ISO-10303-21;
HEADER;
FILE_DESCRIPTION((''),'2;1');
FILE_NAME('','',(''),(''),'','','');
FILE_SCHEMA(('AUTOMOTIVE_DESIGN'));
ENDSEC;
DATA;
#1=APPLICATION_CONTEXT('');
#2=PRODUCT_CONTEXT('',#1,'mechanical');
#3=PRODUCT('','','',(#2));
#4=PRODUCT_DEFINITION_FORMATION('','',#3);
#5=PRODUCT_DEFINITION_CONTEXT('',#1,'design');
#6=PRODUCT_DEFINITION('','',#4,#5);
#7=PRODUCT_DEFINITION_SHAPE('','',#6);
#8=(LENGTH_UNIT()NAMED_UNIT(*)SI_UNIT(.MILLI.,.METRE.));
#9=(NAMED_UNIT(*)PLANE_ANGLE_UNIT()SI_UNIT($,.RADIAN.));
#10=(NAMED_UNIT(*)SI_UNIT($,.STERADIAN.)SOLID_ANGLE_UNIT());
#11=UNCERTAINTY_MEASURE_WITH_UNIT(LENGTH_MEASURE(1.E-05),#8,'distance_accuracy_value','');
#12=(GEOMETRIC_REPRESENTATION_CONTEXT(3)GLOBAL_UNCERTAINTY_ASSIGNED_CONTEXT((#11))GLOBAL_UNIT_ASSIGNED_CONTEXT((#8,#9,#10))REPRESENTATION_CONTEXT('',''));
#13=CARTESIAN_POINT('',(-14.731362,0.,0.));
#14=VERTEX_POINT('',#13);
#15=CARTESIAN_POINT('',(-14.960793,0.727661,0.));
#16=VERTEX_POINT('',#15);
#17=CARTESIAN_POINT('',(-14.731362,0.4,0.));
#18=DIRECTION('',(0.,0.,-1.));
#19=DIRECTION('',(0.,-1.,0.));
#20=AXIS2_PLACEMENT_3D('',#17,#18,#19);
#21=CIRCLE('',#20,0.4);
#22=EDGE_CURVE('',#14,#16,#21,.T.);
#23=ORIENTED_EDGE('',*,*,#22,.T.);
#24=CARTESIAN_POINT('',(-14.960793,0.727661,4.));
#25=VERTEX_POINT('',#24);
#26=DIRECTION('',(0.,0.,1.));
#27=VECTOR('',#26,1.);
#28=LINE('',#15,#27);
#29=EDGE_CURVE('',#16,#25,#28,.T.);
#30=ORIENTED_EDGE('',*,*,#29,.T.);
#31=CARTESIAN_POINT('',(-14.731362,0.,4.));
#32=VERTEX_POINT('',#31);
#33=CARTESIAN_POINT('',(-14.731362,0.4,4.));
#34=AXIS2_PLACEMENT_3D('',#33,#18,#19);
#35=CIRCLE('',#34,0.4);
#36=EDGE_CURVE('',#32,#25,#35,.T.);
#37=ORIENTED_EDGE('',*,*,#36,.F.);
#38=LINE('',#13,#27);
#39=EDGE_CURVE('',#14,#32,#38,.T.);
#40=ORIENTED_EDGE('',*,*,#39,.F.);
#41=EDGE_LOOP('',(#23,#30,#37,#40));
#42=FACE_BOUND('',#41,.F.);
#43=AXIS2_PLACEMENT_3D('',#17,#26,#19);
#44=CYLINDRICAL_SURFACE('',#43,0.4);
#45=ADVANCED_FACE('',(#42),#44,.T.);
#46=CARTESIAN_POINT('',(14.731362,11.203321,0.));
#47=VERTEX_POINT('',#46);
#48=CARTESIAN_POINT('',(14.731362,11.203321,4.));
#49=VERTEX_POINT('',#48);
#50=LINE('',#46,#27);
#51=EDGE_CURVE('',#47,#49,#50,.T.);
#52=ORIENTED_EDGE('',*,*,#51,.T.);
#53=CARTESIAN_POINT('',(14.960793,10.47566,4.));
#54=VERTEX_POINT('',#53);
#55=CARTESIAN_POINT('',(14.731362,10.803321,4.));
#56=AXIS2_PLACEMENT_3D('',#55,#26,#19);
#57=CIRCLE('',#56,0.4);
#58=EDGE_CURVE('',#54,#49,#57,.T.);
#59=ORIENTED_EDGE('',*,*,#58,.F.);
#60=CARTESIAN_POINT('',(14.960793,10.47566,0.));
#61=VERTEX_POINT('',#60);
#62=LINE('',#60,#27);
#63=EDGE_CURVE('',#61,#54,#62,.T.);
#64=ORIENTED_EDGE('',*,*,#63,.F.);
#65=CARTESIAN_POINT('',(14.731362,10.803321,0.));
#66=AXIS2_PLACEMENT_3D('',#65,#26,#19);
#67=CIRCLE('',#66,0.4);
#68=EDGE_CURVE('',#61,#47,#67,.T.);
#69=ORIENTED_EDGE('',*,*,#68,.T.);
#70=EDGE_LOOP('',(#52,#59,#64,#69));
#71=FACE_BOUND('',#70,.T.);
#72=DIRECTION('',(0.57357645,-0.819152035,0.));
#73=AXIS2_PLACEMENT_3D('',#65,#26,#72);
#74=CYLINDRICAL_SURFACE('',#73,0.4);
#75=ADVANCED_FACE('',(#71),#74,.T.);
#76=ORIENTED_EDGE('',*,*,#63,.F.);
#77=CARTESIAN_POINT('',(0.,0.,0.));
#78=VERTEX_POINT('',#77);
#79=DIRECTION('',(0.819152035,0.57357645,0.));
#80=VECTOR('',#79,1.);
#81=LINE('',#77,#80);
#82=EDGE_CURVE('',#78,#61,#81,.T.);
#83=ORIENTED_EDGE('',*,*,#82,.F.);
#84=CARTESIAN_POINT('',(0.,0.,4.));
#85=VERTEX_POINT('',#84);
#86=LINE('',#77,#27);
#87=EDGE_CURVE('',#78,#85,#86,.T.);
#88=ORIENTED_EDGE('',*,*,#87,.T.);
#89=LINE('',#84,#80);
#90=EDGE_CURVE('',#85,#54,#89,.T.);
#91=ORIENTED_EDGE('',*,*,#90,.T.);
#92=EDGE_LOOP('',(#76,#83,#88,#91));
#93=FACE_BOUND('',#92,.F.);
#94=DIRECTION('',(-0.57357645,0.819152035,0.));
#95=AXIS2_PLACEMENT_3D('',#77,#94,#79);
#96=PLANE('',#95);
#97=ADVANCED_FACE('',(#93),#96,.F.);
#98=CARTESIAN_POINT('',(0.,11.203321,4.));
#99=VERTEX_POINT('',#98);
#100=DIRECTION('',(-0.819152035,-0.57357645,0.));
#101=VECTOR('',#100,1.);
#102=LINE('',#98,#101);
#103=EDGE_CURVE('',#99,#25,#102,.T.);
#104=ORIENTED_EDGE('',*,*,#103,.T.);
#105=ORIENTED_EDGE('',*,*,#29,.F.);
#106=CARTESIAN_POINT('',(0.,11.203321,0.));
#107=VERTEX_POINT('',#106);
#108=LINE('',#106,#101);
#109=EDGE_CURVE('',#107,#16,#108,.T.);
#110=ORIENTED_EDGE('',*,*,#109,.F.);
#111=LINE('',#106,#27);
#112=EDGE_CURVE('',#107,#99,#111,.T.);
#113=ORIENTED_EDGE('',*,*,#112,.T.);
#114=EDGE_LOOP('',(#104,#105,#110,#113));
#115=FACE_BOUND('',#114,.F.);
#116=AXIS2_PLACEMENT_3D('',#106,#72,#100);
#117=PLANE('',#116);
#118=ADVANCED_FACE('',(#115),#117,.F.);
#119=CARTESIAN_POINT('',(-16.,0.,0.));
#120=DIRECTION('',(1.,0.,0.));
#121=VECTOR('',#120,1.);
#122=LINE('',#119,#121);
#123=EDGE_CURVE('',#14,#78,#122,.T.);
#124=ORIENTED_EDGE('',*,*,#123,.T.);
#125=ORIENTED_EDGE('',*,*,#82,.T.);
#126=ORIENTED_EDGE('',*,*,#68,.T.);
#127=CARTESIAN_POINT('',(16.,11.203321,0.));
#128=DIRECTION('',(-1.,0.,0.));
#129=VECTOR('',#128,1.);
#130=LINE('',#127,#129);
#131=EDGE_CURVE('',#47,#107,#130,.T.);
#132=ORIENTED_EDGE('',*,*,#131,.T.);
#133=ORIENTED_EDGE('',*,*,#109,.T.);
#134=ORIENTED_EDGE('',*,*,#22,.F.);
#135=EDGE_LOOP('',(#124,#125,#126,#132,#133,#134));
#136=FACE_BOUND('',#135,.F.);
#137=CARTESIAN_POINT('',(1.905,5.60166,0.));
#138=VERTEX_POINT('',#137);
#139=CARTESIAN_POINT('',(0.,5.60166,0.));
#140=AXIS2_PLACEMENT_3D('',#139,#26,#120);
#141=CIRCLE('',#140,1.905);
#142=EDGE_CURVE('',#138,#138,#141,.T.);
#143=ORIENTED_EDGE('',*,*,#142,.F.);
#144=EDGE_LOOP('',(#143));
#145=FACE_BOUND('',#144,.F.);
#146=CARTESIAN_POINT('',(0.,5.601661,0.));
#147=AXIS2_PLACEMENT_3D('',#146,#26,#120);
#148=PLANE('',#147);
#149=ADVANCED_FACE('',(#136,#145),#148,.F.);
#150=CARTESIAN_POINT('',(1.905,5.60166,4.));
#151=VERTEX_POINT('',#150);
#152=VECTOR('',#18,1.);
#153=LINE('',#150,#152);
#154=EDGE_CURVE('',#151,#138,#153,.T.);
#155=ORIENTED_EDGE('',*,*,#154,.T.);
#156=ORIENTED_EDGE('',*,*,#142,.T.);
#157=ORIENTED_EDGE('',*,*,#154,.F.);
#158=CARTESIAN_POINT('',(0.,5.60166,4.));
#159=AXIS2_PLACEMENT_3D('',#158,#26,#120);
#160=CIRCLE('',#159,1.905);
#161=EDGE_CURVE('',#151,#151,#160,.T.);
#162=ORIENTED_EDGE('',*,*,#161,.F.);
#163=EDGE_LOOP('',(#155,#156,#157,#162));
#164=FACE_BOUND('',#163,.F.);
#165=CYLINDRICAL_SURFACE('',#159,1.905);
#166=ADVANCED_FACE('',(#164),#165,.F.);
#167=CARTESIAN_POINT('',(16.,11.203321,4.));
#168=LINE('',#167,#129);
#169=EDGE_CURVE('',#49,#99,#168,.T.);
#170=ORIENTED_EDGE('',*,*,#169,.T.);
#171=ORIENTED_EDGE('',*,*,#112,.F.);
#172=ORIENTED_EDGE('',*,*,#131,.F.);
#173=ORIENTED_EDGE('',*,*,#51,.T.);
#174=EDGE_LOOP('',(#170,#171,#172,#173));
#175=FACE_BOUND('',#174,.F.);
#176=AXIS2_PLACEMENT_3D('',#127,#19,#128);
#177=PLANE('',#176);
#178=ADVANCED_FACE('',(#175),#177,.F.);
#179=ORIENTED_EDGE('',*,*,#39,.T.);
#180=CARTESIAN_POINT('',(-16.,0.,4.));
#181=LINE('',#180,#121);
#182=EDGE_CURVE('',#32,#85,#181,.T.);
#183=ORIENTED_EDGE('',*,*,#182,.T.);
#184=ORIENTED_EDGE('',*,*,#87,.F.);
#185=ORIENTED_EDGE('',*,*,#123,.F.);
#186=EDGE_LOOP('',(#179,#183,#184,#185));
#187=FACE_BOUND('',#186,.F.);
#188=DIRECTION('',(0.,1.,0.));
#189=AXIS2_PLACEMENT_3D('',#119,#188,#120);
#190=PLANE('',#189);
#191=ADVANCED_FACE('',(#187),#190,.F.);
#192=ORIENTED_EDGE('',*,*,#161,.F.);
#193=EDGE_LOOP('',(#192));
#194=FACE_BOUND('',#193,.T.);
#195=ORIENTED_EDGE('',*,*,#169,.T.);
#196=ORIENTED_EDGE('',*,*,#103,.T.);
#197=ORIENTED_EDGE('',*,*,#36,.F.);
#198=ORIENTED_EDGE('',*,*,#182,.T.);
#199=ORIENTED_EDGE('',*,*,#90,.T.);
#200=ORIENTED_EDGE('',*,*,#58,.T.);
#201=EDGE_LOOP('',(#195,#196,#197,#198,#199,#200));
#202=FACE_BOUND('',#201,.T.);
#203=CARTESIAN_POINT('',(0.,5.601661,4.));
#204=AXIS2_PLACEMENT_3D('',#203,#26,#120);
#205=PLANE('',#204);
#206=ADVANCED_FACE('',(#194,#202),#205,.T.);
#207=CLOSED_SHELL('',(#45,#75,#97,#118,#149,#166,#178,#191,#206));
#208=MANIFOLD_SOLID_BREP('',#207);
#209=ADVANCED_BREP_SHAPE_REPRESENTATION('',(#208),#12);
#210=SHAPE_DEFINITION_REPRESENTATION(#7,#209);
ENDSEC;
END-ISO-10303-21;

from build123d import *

# Parameters (mm, degrees)
F1_DEPTH = 4
F2_R     = 0.4
F3_R     = 1.905
F4_DEPTH = 4


with BuildPart() as f1:
    # F0 (on Top) → F1 (new body)
    with BuildSketch(Plane.XY):
        Polygon((-16, 0), (0, 0), (16, 11.203321), (0, 11.203321), align=None)
    extrude(amount=F1_DEPTH)

    # F2
    f2_edges = [f1.edges().sort_by_distance(p)[0] for p in [
        (-16, 0, 2),
        (16, 11.203321, 2),
    ]]
    fillet(f2_edges, radius=F2_R)

    # F3 (on face) → F4 (cut, through all)
    with BuildSketch(Plane.XY.offset(4)):
        with Locations((0, 5.60166)):
            Circle(F3_R)
    extrude(amount=-F4_DEPTH, mode=Mode.SUBTRACT)


solid = f1.part
